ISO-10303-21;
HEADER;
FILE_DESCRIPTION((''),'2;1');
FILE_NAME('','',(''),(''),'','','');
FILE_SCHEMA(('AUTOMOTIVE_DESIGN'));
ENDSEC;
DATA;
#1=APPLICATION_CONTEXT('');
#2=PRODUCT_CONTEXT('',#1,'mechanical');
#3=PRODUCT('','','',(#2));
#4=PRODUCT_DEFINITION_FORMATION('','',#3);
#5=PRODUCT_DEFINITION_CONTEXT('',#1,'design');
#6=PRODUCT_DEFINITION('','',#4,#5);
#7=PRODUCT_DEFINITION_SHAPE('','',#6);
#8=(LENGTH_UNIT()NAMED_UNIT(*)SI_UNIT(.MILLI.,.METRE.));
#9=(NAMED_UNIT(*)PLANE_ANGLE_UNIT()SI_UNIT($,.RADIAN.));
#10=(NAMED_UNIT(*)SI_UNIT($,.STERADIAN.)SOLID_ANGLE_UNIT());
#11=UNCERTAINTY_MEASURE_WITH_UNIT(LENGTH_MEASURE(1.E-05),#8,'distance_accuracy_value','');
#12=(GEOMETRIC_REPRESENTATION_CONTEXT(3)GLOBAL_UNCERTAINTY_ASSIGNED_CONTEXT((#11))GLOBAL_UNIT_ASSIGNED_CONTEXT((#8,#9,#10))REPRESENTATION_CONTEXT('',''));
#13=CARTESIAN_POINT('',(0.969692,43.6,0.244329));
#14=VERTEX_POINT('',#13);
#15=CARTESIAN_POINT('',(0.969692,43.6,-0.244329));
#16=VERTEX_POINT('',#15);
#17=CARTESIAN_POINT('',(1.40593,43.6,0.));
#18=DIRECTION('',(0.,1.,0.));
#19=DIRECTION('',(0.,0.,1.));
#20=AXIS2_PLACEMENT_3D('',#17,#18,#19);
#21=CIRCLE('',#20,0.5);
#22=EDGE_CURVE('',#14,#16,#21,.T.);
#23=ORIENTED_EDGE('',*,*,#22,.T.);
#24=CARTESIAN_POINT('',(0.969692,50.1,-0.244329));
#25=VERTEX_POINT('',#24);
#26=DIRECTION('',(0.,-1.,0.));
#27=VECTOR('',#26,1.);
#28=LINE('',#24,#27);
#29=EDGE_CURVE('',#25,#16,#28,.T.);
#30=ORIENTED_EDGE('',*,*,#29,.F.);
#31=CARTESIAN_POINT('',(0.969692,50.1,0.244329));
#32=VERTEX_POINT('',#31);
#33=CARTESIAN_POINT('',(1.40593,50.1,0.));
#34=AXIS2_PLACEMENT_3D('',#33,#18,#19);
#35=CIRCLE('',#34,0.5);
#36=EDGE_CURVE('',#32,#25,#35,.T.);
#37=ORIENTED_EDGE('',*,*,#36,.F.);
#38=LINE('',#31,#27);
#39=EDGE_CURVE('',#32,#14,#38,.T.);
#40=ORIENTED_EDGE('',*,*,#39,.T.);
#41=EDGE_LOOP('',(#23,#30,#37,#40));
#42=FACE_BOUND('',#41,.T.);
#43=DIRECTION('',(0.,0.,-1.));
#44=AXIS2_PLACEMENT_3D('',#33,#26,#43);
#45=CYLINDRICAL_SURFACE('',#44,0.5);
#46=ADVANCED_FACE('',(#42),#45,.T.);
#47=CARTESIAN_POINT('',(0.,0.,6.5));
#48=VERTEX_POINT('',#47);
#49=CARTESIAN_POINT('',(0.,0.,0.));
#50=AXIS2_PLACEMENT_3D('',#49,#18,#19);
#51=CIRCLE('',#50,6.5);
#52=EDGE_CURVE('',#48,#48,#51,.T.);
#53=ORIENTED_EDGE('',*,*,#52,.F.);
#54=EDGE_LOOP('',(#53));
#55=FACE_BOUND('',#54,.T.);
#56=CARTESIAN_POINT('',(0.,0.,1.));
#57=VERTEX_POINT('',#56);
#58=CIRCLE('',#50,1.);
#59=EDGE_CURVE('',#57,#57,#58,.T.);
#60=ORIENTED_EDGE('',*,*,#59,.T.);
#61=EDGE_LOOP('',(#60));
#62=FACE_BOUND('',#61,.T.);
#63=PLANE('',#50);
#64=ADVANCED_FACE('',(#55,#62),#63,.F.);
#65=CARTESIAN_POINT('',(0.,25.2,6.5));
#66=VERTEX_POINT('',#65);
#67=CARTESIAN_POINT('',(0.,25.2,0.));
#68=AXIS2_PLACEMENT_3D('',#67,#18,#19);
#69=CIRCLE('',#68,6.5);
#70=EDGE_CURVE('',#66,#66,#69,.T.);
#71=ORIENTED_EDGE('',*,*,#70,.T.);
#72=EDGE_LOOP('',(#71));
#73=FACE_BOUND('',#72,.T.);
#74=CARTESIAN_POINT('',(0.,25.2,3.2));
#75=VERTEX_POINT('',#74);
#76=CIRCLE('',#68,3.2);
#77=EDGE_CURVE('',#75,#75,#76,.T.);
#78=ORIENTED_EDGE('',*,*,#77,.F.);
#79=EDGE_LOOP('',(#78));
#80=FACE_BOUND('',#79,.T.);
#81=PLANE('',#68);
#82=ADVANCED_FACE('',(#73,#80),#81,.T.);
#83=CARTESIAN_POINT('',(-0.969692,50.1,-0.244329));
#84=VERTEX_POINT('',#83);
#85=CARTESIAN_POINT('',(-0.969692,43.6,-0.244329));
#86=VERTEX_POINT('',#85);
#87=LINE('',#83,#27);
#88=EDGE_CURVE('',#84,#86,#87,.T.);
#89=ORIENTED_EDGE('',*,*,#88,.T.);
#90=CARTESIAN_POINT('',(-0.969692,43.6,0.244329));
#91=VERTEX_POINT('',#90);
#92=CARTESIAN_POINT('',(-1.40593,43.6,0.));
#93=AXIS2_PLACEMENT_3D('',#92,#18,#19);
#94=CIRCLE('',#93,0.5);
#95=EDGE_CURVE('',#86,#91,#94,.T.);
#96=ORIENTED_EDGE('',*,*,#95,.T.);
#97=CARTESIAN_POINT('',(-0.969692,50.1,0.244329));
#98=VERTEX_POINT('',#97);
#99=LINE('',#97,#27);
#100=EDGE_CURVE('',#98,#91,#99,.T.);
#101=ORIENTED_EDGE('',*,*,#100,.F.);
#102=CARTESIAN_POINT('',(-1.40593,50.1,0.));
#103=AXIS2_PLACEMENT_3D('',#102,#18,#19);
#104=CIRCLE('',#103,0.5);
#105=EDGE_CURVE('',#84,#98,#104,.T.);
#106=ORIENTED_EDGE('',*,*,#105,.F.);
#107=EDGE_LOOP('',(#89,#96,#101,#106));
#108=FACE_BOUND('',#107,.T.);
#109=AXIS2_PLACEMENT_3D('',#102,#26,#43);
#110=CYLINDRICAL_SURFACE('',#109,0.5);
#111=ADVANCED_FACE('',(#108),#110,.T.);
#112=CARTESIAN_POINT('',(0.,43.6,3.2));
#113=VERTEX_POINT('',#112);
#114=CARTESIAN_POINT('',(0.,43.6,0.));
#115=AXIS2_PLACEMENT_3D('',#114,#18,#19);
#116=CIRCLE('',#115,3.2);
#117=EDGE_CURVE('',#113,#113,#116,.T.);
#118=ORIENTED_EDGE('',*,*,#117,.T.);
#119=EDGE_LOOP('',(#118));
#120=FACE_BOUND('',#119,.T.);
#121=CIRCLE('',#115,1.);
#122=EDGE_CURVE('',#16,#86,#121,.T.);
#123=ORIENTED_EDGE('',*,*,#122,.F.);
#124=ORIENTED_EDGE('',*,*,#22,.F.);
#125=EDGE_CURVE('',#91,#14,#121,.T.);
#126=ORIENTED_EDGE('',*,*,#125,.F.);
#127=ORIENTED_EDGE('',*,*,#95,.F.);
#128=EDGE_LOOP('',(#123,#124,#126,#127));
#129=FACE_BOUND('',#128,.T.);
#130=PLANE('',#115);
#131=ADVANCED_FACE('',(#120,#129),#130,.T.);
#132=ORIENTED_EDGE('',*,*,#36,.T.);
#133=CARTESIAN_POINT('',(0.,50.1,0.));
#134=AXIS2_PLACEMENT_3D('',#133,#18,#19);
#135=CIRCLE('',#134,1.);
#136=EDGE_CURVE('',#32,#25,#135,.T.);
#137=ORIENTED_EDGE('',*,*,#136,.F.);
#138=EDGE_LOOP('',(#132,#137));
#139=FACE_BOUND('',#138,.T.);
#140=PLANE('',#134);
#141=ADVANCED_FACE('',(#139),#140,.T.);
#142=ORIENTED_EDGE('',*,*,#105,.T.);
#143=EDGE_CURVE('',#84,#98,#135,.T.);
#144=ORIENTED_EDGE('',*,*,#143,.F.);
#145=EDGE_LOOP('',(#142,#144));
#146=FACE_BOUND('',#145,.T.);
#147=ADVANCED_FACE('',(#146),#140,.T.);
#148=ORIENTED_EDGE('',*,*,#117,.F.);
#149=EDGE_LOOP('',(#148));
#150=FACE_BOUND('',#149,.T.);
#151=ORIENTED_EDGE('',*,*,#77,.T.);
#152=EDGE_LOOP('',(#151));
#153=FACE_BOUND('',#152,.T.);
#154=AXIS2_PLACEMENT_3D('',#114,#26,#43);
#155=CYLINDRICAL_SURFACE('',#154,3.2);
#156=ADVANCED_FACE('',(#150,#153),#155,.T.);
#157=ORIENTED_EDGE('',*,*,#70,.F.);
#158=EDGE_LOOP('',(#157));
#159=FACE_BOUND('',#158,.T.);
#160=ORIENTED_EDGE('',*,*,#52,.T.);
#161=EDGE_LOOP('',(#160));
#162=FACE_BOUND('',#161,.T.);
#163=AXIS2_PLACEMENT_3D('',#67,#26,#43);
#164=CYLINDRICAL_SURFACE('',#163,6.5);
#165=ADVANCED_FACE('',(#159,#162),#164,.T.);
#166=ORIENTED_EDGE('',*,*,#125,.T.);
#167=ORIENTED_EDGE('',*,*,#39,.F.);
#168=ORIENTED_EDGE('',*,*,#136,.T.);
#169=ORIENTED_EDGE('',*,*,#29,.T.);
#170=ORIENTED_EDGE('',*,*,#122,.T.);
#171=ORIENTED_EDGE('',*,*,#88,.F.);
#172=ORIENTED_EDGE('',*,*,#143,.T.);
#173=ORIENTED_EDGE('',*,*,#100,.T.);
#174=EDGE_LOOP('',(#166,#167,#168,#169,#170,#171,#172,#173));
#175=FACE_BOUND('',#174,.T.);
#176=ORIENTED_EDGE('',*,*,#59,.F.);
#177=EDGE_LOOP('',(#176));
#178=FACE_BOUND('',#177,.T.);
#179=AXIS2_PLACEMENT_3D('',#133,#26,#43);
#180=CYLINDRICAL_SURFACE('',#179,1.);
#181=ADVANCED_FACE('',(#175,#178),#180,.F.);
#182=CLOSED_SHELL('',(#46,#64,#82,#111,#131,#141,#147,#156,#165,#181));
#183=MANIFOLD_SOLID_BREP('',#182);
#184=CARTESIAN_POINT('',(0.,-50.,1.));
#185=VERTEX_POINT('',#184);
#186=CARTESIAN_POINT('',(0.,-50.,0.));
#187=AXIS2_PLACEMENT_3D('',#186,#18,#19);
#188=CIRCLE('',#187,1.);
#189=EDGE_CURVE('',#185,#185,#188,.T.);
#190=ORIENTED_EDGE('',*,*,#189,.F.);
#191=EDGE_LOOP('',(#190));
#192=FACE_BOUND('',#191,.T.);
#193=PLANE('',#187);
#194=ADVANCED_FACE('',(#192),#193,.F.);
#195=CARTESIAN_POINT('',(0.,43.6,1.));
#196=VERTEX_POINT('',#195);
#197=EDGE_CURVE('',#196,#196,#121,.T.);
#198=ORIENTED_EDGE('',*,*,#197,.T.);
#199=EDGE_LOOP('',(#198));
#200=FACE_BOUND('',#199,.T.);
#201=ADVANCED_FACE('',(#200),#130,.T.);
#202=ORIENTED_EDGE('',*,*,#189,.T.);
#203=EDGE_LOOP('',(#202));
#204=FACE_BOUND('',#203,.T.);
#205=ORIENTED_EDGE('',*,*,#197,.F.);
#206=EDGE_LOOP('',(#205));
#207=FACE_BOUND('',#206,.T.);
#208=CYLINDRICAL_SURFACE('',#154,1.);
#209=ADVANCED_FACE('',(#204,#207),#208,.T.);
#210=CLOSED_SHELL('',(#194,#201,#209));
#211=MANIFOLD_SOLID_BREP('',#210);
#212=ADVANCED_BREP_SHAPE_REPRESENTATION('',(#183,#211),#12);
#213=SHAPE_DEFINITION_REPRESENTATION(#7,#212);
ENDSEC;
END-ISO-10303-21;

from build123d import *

# Parameters (mm, degrees)
BOSS_EXTRUDE1_DEPTH      = 50.1
BOSS_EXTRUDE1_2_DEPTH    = 50.1
SKETCH1_3_R              = 3.2
BOSS_EXTRUDE2_DEPTH      = 43.6
SKETCH1_4_R              = 6.5
SKETCH1_4_R_2            = 3.2
BOSS_EXTRUDE3_DEPTH      = 25.2
BOSS_EXTRUDE4_DEPTH      = 43.6
BOSS_EXTRUDE4_DEPTH_BACK = 50
SKETCH1_5_R              = 1


with BuildPart() as part:
    # Sketch1 → Boss-Extrude1 (new body)
    with BuildSketch(Plane(origin=(0, 0, 0), x_dir=(1, 0, 0), z_dir=(0, 1, 0))):
        with BuildLine():
            ThreePointArc((0.96969231, -0.244329336), (1.905929832, 0), (0.96969231, 0.244329336))
            ThreePointArc((0.96969231, 0.244329336), (1, 0), (0.96969231, -0.244329336))
        make_face()
    extrude(amount=BOSS_EXTRUDE1_DEPTH)



with BuildPart() as body_2:
    # Sketch1 → Boss-Extrude1 2 (new body)
    with BuildSketch(Plane(origin=(0, 0, 0), x_dir=(1, 0, 0), z_dir=(0, 1, 0))):
        with BuildLine():
            ThreePointArc((-0.96969231, -0.244329336), (-1, 0), (-0.96969231, 0.244329336))
            ThreePointArc((-0.96969231, 0.244329336), (-1.905929832, 0), (-0.96969231, -0.244329336))
        make_face()
    extrude(amount=BOSS_EXTRUDE1_2_DEPTH)


with BuildPart() as part_1:
    add(part.part)

    add(body_2.part)  # Boss-Extrude2 merges body 2
    # Sketch1<3> → Boss-Extrude2 (add)
    with BuildSketch(Plane(origin=(0, 0, 0), x_dir=(1, 0, 0), z_dir=(0, 1, 0))):
        Circle(SKETCH1_3_R)
        with BuildLine():
            ThreePointArc((0.96969231, 0.244329336), (1.532185998, 0.483796838), (1.905929832, 0))
            ThreePointArc((1.905929832, 0), (1.532185998, -0.483796838), (0.96969231, -0.244329336))
            ThreePointArc((0.96969231, -0.244329336), (0, -1), (-0.96969231, -0.244329336))
            ThreePointArc((-0.96969231, -0.244329336), (-1.905929832, 0), (-0.96969231, 0.244329336))
            ThreePointArc((-0.96969231, 0.244329336), (0, 1), (0.96969231, 0.244329336))
        make_face(mode=Mode.SUBTRACT)
    extrude(amount=BOSS_EXTRUDE2_DEPTH)

    # Sketch1<4> → Boss-Extrude3 (add)
    with BuildSketch(Plane(origin=(0, 0, 0), x_dir=(1, 0, 0), z_dir=(0, 1, 0))):
        Circle(SKETCH1_4_R)
        Circle(SKETCH1_4_R_2, mode=Mode.SUBTRACT)
    extrude(amount=BOSS_EXTRUDE3_DEPTH)


with BuildPart() as body_2_2:
    # Sketch1<5> → Boss-Extrude4 (new, two sides: drawn at the far end of the back side and taken through both)
    with BuildSketch(Plane(origin=(0, 0, 0), x_dir=(1, 0, 0), z_dir=(0, 1, 0)).offset(-BOSS_EXTRUDE4_DEPTH_BACK)):
        Circle(SKETCH1_5_R)
    extrude(amount=BOSS_EXTRUDE4_DEPTH + BOSS_EXTRUDE4_DEPTH_BACK)


solid = Compound([part_1.part, body_2_2.part])
